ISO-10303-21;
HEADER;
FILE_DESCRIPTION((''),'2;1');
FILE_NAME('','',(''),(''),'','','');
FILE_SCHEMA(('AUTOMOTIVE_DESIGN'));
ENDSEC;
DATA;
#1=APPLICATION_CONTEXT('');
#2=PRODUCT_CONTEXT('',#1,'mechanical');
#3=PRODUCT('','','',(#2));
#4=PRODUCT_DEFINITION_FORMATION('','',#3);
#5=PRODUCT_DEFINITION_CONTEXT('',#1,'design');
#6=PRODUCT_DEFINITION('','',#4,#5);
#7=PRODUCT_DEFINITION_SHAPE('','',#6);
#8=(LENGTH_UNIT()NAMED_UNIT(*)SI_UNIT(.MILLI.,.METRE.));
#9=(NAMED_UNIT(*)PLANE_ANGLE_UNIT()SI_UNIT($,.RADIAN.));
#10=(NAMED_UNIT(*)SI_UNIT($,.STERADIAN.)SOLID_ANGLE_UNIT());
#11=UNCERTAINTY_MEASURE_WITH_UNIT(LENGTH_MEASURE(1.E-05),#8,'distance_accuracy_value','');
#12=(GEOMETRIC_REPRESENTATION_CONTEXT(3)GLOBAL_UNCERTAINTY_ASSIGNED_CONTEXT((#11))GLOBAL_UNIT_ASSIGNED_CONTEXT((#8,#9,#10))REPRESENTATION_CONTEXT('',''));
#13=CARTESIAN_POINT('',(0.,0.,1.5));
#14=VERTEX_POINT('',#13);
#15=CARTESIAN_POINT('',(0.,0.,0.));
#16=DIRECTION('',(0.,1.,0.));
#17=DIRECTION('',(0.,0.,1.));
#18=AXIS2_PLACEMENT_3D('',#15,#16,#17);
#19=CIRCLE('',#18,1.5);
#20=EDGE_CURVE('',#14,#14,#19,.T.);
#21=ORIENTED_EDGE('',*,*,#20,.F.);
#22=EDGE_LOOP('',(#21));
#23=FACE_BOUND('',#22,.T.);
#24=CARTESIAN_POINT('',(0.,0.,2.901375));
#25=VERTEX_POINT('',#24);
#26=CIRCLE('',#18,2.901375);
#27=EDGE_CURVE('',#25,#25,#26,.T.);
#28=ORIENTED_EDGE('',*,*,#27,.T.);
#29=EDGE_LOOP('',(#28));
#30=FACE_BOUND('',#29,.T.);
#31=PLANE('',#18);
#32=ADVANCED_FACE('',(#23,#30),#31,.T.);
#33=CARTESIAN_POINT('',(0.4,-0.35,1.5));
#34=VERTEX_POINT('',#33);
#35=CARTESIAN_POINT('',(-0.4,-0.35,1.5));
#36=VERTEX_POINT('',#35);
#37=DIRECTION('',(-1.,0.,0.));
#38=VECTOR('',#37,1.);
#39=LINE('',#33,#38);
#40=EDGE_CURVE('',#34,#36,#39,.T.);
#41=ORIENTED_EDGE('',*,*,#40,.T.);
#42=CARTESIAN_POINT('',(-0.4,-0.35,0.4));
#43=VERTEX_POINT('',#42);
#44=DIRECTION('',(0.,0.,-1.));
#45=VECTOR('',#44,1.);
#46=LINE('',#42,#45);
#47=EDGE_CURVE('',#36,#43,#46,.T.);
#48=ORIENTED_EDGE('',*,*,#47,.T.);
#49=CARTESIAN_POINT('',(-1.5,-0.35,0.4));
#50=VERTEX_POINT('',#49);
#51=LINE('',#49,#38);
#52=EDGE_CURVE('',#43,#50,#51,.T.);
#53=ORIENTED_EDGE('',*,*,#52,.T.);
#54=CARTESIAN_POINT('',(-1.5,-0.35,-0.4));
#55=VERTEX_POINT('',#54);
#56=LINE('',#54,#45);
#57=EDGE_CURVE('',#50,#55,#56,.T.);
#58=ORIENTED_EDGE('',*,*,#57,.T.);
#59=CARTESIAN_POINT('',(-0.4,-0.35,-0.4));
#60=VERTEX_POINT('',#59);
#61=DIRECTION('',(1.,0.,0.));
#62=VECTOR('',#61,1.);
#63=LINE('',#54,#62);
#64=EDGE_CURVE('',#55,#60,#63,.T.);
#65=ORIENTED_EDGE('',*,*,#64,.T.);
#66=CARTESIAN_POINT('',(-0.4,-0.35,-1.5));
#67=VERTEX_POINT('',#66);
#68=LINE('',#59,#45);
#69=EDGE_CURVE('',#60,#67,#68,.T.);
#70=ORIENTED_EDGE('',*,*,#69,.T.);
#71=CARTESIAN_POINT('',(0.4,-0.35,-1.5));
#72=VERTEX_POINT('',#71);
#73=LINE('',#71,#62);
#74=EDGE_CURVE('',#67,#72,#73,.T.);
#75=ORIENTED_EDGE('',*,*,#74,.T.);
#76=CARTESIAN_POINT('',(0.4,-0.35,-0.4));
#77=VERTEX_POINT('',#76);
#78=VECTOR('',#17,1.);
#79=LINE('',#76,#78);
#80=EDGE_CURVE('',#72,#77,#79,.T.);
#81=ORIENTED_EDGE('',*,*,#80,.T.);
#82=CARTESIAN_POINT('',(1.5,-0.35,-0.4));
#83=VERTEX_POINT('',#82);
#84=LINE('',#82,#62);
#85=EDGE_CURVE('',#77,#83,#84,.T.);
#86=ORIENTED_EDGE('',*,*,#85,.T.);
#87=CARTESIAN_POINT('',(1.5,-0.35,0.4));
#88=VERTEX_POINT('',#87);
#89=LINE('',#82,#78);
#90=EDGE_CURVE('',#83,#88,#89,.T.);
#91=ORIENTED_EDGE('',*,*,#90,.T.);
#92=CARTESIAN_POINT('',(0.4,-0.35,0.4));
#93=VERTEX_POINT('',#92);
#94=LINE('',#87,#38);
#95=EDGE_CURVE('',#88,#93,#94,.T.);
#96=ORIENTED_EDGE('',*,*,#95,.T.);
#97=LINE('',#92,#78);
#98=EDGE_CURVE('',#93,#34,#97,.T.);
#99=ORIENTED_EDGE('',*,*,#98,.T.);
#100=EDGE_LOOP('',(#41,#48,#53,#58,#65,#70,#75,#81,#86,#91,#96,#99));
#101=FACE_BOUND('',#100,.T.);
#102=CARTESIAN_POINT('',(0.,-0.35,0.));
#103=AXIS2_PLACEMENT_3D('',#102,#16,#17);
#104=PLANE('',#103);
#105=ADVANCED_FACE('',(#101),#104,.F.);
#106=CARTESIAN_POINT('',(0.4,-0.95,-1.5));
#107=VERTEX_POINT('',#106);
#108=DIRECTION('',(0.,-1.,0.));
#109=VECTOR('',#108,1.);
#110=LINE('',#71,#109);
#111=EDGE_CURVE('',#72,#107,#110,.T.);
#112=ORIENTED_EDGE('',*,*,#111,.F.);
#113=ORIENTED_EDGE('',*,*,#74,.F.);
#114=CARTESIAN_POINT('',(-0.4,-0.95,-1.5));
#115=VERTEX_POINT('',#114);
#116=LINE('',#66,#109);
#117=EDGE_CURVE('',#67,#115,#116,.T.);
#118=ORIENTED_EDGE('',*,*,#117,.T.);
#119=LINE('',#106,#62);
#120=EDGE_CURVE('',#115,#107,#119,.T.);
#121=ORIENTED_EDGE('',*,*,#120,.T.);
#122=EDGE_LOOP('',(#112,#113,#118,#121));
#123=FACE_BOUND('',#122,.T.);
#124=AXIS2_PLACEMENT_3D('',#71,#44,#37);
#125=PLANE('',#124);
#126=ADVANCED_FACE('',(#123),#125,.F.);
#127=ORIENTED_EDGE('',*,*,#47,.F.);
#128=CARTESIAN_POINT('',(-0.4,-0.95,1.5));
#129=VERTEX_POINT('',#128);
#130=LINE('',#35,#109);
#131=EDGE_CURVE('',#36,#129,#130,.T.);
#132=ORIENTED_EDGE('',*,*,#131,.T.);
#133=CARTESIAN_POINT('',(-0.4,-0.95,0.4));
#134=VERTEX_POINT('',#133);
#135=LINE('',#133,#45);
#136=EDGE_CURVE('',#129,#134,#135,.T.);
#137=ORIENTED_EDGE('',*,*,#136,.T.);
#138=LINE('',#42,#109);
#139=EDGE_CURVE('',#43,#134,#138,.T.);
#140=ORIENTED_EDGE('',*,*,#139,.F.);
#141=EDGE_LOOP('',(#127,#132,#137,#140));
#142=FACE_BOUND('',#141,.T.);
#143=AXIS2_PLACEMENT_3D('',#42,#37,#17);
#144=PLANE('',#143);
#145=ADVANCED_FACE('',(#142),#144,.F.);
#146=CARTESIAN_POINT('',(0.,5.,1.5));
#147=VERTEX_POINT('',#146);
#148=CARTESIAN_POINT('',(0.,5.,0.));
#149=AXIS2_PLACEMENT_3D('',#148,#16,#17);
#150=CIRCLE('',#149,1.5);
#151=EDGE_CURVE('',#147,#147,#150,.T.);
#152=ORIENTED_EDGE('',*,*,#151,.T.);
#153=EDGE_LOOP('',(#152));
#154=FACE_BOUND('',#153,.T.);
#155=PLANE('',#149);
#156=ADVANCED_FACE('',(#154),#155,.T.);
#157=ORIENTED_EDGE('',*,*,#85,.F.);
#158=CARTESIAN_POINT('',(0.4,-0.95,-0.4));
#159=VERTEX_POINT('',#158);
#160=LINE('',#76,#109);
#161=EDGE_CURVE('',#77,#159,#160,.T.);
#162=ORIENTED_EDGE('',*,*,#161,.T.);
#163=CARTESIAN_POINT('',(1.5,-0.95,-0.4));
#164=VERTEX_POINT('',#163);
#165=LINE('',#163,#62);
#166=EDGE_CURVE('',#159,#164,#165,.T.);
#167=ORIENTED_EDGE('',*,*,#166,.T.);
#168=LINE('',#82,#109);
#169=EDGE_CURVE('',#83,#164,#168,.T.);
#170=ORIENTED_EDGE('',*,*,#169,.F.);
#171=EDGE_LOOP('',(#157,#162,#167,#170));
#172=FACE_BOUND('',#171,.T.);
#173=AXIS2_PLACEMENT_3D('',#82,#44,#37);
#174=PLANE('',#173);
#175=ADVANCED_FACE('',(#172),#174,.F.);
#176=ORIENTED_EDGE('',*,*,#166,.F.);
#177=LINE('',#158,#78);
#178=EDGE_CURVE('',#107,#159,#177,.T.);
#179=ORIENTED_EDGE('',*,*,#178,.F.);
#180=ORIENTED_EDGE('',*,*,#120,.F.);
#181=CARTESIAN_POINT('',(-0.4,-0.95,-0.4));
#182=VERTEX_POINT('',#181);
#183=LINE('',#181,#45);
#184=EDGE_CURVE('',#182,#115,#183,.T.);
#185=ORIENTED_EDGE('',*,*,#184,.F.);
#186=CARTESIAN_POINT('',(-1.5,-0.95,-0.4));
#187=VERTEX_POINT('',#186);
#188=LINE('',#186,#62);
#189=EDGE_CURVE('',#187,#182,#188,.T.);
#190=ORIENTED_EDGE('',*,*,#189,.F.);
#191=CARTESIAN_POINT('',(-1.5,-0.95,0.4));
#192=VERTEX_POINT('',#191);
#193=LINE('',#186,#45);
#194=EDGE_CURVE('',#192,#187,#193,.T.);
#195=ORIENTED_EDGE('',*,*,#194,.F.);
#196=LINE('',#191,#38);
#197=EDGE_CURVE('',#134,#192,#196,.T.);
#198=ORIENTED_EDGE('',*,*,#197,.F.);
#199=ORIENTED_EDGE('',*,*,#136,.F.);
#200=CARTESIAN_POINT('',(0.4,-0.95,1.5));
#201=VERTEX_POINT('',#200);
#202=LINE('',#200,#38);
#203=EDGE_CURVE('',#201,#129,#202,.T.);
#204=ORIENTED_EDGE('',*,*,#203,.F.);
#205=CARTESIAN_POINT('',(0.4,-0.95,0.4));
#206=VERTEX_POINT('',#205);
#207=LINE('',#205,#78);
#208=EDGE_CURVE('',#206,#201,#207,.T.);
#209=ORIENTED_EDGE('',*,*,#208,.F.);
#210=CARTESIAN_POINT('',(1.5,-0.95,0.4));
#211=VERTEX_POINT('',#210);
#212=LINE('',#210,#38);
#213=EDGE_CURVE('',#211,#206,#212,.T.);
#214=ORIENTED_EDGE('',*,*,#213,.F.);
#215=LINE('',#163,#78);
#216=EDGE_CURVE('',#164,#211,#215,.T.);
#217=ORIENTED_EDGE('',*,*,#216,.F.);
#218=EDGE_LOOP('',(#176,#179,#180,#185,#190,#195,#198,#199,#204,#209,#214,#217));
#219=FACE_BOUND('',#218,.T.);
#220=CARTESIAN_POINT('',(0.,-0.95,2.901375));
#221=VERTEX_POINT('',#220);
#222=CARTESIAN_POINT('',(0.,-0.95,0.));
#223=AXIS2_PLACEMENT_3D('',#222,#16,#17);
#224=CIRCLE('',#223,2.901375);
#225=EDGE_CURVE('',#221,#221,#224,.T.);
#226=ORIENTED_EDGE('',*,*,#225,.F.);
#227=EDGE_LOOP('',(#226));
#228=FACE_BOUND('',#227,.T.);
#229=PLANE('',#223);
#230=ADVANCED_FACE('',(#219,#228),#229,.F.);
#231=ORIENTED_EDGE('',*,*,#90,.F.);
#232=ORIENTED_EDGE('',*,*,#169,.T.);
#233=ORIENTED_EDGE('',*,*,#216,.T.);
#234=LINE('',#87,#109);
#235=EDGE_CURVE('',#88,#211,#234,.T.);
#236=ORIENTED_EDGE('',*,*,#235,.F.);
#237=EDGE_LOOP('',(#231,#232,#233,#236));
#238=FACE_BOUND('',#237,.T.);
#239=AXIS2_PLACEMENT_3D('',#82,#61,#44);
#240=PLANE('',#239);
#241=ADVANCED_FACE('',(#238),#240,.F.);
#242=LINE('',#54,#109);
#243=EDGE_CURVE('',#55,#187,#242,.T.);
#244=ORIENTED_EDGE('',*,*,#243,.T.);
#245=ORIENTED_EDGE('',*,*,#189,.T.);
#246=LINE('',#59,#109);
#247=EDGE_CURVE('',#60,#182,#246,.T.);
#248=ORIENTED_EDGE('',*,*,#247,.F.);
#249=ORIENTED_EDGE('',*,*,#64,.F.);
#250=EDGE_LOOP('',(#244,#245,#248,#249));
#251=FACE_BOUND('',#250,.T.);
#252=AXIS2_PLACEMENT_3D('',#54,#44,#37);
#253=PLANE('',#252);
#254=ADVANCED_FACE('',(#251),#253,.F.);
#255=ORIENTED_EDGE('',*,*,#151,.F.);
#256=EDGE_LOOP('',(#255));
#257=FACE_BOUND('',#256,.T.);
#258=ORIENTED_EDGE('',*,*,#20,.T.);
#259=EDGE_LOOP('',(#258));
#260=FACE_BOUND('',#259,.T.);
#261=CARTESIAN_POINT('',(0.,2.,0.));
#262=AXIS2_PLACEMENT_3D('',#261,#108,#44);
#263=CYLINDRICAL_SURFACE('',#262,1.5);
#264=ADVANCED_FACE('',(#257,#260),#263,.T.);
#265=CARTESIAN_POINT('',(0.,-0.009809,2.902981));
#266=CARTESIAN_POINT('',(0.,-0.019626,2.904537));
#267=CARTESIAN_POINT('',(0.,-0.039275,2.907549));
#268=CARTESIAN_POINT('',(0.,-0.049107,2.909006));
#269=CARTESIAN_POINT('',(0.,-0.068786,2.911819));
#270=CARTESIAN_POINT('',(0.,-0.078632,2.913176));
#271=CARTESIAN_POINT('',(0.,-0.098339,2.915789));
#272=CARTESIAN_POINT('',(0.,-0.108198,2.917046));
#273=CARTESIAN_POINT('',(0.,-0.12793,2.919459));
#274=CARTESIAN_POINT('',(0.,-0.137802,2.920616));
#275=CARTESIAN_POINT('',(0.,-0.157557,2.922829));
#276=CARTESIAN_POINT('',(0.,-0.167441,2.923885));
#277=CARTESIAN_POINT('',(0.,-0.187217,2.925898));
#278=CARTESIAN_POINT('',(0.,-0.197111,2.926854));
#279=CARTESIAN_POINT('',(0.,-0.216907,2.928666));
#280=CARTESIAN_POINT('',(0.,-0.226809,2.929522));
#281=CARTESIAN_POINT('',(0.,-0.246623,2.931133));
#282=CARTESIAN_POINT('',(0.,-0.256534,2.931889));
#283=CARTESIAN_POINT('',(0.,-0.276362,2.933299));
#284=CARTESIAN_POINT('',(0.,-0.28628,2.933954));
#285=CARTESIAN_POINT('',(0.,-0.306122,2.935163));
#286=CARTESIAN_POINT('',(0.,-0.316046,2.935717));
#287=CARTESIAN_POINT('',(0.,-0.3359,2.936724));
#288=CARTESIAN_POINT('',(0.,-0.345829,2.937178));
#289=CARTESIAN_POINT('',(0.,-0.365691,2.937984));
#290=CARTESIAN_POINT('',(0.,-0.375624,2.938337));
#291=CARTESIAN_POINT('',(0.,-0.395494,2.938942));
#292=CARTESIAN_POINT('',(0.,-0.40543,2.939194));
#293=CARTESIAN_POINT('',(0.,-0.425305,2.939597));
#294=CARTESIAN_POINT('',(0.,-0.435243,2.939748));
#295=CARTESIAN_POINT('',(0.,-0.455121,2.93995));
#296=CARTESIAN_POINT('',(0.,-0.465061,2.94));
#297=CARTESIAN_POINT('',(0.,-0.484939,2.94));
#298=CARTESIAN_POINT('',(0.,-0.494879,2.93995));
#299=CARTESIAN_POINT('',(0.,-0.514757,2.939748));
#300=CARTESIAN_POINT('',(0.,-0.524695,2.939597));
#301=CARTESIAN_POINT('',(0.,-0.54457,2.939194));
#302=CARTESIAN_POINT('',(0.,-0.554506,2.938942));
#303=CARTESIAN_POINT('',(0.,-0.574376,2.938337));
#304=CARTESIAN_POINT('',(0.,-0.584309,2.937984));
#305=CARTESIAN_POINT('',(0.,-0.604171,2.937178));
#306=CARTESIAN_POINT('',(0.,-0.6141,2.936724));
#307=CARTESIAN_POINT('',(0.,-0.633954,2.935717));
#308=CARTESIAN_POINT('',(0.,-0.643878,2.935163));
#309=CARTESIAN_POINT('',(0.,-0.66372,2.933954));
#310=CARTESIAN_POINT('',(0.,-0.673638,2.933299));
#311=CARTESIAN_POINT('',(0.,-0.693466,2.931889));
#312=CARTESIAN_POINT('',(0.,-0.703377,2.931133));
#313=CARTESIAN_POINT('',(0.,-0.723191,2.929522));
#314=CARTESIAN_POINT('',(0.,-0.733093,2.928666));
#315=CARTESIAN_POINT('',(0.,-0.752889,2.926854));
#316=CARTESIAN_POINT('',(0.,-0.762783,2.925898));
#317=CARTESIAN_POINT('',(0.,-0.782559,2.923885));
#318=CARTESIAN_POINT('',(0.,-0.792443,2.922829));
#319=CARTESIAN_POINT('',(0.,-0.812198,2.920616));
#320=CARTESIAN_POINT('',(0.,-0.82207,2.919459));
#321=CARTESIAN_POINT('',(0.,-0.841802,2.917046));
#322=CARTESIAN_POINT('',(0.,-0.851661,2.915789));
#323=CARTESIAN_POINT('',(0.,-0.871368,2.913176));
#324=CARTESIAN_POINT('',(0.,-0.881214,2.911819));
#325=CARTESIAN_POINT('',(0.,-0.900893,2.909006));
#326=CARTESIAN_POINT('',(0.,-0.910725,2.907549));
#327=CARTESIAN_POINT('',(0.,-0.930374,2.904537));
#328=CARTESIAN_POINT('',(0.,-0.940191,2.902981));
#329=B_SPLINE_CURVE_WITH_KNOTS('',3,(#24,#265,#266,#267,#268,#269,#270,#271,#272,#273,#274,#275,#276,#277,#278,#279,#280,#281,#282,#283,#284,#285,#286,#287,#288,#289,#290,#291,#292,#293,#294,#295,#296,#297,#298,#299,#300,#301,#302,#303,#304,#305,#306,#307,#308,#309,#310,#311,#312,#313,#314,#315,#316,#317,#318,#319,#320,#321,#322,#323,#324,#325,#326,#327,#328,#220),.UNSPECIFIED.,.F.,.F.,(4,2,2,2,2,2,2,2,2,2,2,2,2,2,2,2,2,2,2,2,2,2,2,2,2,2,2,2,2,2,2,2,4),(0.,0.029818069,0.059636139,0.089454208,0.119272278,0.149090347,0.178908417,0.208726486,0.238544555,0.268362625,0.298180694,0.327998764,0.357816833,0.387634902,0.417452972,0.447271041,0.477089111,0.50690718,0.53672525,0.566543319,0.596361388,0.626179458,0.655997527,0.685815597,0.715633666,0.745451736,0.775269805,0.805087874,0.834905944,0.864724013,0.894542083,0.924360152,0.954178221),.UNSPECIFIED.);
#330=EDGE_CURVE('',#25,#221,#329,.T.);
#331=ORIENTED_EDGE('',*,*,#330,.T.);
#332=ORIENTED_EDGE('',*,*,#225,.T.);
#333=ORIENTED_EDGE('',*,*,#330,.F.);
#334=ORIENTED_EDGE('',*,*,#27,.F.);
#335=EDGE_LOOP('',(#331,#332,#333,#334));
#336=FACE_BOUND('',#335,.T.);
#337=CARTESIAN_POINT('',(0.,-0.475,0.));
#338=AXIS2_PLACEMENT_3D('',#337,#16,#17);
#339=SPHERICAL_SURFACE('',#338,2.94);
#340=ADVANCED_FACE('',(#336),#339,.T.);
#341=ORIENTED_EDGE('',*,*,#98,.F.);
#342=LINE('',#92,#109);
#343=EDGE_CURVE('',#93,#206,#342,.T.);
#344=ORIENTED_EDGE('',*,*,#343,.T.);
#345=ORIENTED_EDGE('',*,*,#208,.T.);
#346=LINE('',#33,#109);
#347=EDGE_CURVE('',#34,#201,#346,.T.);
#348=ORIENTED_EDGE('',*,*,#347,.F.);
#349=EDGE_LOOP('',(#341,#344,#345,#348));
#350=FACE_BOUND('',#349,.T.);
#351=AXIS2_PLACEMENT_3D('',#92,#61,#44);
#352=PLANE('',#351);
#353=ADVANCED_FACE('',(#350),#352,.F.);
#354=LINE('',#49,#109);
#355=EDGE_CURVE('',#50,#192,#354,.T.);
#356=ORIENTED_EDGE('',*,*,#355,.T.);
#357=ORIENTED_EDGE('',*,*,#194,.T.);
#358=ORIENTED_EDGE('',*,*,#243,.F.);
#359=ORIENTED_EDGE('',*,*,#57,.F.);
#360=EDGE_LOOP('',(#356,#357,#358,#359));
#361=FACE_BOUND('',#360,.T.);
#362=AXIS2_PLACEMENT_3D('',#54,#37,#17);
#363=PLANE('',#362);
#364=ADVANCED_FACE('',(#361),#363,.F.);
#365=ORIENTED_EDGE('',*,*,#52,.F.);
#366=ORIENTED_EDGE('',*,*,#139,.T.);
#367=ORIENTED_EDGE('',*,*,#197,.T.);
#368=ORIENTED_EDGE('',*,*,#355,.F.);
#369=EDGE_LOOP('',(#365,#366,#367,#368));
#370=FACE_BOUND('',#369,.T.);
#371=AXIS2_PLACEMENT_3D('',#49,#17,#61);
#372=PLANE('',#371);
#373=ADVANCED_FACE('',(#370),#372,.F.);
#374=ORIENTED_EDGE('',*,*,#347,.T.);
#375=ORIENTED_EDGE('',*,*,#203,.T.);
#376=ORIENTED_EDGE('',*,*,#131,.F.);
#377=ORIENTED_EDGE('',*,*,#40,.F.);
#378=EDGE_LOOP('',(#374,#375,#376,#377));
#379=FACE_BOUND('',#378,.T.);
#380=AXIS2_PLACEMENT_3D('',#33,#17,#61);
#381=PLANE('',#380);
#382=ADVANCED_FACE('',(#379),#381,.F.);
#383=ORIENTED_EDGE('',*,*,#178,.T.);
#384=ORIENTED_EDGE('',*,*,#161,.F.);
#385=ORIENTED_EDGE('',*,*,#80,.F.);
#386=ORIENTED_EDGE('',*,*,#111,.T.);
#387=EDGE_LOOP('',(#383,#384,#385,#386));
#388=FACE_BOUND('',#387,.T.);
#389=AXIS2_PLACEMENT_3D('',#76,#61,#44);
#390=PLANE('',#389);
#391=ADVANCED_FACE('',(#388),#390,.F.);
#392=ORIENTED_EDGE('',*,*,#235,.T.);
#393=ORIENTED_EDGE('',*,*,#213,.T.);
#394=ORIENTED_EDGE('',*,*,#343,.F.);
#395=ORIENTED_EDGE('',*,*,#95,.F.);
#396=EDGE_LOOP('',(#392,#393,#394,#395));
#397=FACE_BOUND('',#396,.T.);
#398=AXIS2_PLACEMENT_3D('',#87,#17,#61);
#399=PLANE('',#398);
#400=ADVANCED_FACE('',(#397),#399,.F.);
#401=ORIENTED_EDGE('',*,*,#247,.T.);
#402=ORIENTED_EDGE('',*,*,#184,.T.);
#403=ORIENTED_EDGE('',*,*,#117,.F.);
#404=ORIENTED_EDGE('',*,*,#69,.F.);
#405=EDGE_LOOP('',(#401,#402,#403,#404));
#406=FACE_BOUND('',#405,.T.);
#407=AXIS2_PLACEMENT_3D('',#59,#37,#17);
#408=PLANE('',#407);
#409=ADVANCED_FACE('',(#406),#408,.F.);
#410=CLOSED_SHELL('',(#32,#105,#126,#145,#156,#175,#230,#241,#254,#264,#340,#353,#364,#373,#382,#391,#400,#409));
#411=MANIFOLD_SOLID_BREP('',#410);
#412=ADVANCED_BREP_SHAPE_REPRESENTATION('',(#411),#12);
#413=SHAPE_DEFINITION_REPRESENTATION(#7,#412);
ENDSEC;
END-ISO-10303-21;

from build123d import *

# Parameters (mm, degrees)
SKETCH_1_R          = 1.5
EXTRUDE_1_DEPTH     = 2
SKETCH_2_R          = 2.95
EXTRUDE_2_DEPTH     = 0.95
CUT_EXTRUDE_1_DEPTH = 0.6
SKETCH_1_8_R        = 1.5
EXTRUDE_5_DEPTH     = 5


with BuildPart() as part:
    # 草图1 → 拉伸1 (new body)
    with BuildSketch(Plane(origin=(0, 0, 0), x_dir=(1, 0, 0), z_dir=(0, 1, 0))):
        Circle(SKETCH_1_R)
    extrude(amount=EXTRUDE_1_DEPTH)

    # 草图2 → Extrude 2 (add)
    with BuildSketch(Plane(origin=(0, 0, 0), x_dir=(-1, 0, 0), z_dir=(0, 1, 0))):
        Circle(SKETCH_2_R)
    extrude(amount=-EXTRUDE_2_DEPTH)

    # 草图4 → 切除-旋转1 (revolve, cut)
    with BuildSketch(Plane(origin=(0, 0, 0), x_dir=(0, 0, -1), z_dir=(1, 0, 0))):
        with BuildLine():
            Line((-2.901374674, 0), (-2.95, 0))
            Line((-2.95, 0), (-2.95, -0.95))
            Line((-2.95, -0.95), (-2.901374674, -0.95))
            ThreePointArc((-2.901374674, -0.95), (-2.94, -0.475), (-2.901374674, 0))
        make_face()
    revolve(axis=Axis((0, 3.165730861, 0), (0, -1, 0)), mode=Mode.SUBTRACT)

    # 草图3 → 切除-拉伸1 (cut)
    with BuildSketch(Plane.XZ.offset(0.95)):
        Polygon((1.5, -0.4), (1.5, 0.4), (0.4, 0.4), (0.4, 1.5), (-0.4, 1.5), (-0.4, 0.4), (-1.5, 0.4), (-1.5, -0.4), (-0.4, -0.4), (-0.4, -1.5), (0.4, -1.5), (0.4, -0.4), align=None)
    extrude(amount=-CUT_EXTRUDE_1_DEPTH, mode=Mode.SUBTRACT)

    # 草图1<8> → 凸台-拉伸5 (add)
    with BuildSketch(Plane(origin=(0, 0, 0), x_dir=(1, 0, 0), z_dir=(0, 1, 0))):
        Circle(SKETCH_1_8_R)
    extrude(amount=EXTRUDE_5_DEPTH)


solid = part.part
